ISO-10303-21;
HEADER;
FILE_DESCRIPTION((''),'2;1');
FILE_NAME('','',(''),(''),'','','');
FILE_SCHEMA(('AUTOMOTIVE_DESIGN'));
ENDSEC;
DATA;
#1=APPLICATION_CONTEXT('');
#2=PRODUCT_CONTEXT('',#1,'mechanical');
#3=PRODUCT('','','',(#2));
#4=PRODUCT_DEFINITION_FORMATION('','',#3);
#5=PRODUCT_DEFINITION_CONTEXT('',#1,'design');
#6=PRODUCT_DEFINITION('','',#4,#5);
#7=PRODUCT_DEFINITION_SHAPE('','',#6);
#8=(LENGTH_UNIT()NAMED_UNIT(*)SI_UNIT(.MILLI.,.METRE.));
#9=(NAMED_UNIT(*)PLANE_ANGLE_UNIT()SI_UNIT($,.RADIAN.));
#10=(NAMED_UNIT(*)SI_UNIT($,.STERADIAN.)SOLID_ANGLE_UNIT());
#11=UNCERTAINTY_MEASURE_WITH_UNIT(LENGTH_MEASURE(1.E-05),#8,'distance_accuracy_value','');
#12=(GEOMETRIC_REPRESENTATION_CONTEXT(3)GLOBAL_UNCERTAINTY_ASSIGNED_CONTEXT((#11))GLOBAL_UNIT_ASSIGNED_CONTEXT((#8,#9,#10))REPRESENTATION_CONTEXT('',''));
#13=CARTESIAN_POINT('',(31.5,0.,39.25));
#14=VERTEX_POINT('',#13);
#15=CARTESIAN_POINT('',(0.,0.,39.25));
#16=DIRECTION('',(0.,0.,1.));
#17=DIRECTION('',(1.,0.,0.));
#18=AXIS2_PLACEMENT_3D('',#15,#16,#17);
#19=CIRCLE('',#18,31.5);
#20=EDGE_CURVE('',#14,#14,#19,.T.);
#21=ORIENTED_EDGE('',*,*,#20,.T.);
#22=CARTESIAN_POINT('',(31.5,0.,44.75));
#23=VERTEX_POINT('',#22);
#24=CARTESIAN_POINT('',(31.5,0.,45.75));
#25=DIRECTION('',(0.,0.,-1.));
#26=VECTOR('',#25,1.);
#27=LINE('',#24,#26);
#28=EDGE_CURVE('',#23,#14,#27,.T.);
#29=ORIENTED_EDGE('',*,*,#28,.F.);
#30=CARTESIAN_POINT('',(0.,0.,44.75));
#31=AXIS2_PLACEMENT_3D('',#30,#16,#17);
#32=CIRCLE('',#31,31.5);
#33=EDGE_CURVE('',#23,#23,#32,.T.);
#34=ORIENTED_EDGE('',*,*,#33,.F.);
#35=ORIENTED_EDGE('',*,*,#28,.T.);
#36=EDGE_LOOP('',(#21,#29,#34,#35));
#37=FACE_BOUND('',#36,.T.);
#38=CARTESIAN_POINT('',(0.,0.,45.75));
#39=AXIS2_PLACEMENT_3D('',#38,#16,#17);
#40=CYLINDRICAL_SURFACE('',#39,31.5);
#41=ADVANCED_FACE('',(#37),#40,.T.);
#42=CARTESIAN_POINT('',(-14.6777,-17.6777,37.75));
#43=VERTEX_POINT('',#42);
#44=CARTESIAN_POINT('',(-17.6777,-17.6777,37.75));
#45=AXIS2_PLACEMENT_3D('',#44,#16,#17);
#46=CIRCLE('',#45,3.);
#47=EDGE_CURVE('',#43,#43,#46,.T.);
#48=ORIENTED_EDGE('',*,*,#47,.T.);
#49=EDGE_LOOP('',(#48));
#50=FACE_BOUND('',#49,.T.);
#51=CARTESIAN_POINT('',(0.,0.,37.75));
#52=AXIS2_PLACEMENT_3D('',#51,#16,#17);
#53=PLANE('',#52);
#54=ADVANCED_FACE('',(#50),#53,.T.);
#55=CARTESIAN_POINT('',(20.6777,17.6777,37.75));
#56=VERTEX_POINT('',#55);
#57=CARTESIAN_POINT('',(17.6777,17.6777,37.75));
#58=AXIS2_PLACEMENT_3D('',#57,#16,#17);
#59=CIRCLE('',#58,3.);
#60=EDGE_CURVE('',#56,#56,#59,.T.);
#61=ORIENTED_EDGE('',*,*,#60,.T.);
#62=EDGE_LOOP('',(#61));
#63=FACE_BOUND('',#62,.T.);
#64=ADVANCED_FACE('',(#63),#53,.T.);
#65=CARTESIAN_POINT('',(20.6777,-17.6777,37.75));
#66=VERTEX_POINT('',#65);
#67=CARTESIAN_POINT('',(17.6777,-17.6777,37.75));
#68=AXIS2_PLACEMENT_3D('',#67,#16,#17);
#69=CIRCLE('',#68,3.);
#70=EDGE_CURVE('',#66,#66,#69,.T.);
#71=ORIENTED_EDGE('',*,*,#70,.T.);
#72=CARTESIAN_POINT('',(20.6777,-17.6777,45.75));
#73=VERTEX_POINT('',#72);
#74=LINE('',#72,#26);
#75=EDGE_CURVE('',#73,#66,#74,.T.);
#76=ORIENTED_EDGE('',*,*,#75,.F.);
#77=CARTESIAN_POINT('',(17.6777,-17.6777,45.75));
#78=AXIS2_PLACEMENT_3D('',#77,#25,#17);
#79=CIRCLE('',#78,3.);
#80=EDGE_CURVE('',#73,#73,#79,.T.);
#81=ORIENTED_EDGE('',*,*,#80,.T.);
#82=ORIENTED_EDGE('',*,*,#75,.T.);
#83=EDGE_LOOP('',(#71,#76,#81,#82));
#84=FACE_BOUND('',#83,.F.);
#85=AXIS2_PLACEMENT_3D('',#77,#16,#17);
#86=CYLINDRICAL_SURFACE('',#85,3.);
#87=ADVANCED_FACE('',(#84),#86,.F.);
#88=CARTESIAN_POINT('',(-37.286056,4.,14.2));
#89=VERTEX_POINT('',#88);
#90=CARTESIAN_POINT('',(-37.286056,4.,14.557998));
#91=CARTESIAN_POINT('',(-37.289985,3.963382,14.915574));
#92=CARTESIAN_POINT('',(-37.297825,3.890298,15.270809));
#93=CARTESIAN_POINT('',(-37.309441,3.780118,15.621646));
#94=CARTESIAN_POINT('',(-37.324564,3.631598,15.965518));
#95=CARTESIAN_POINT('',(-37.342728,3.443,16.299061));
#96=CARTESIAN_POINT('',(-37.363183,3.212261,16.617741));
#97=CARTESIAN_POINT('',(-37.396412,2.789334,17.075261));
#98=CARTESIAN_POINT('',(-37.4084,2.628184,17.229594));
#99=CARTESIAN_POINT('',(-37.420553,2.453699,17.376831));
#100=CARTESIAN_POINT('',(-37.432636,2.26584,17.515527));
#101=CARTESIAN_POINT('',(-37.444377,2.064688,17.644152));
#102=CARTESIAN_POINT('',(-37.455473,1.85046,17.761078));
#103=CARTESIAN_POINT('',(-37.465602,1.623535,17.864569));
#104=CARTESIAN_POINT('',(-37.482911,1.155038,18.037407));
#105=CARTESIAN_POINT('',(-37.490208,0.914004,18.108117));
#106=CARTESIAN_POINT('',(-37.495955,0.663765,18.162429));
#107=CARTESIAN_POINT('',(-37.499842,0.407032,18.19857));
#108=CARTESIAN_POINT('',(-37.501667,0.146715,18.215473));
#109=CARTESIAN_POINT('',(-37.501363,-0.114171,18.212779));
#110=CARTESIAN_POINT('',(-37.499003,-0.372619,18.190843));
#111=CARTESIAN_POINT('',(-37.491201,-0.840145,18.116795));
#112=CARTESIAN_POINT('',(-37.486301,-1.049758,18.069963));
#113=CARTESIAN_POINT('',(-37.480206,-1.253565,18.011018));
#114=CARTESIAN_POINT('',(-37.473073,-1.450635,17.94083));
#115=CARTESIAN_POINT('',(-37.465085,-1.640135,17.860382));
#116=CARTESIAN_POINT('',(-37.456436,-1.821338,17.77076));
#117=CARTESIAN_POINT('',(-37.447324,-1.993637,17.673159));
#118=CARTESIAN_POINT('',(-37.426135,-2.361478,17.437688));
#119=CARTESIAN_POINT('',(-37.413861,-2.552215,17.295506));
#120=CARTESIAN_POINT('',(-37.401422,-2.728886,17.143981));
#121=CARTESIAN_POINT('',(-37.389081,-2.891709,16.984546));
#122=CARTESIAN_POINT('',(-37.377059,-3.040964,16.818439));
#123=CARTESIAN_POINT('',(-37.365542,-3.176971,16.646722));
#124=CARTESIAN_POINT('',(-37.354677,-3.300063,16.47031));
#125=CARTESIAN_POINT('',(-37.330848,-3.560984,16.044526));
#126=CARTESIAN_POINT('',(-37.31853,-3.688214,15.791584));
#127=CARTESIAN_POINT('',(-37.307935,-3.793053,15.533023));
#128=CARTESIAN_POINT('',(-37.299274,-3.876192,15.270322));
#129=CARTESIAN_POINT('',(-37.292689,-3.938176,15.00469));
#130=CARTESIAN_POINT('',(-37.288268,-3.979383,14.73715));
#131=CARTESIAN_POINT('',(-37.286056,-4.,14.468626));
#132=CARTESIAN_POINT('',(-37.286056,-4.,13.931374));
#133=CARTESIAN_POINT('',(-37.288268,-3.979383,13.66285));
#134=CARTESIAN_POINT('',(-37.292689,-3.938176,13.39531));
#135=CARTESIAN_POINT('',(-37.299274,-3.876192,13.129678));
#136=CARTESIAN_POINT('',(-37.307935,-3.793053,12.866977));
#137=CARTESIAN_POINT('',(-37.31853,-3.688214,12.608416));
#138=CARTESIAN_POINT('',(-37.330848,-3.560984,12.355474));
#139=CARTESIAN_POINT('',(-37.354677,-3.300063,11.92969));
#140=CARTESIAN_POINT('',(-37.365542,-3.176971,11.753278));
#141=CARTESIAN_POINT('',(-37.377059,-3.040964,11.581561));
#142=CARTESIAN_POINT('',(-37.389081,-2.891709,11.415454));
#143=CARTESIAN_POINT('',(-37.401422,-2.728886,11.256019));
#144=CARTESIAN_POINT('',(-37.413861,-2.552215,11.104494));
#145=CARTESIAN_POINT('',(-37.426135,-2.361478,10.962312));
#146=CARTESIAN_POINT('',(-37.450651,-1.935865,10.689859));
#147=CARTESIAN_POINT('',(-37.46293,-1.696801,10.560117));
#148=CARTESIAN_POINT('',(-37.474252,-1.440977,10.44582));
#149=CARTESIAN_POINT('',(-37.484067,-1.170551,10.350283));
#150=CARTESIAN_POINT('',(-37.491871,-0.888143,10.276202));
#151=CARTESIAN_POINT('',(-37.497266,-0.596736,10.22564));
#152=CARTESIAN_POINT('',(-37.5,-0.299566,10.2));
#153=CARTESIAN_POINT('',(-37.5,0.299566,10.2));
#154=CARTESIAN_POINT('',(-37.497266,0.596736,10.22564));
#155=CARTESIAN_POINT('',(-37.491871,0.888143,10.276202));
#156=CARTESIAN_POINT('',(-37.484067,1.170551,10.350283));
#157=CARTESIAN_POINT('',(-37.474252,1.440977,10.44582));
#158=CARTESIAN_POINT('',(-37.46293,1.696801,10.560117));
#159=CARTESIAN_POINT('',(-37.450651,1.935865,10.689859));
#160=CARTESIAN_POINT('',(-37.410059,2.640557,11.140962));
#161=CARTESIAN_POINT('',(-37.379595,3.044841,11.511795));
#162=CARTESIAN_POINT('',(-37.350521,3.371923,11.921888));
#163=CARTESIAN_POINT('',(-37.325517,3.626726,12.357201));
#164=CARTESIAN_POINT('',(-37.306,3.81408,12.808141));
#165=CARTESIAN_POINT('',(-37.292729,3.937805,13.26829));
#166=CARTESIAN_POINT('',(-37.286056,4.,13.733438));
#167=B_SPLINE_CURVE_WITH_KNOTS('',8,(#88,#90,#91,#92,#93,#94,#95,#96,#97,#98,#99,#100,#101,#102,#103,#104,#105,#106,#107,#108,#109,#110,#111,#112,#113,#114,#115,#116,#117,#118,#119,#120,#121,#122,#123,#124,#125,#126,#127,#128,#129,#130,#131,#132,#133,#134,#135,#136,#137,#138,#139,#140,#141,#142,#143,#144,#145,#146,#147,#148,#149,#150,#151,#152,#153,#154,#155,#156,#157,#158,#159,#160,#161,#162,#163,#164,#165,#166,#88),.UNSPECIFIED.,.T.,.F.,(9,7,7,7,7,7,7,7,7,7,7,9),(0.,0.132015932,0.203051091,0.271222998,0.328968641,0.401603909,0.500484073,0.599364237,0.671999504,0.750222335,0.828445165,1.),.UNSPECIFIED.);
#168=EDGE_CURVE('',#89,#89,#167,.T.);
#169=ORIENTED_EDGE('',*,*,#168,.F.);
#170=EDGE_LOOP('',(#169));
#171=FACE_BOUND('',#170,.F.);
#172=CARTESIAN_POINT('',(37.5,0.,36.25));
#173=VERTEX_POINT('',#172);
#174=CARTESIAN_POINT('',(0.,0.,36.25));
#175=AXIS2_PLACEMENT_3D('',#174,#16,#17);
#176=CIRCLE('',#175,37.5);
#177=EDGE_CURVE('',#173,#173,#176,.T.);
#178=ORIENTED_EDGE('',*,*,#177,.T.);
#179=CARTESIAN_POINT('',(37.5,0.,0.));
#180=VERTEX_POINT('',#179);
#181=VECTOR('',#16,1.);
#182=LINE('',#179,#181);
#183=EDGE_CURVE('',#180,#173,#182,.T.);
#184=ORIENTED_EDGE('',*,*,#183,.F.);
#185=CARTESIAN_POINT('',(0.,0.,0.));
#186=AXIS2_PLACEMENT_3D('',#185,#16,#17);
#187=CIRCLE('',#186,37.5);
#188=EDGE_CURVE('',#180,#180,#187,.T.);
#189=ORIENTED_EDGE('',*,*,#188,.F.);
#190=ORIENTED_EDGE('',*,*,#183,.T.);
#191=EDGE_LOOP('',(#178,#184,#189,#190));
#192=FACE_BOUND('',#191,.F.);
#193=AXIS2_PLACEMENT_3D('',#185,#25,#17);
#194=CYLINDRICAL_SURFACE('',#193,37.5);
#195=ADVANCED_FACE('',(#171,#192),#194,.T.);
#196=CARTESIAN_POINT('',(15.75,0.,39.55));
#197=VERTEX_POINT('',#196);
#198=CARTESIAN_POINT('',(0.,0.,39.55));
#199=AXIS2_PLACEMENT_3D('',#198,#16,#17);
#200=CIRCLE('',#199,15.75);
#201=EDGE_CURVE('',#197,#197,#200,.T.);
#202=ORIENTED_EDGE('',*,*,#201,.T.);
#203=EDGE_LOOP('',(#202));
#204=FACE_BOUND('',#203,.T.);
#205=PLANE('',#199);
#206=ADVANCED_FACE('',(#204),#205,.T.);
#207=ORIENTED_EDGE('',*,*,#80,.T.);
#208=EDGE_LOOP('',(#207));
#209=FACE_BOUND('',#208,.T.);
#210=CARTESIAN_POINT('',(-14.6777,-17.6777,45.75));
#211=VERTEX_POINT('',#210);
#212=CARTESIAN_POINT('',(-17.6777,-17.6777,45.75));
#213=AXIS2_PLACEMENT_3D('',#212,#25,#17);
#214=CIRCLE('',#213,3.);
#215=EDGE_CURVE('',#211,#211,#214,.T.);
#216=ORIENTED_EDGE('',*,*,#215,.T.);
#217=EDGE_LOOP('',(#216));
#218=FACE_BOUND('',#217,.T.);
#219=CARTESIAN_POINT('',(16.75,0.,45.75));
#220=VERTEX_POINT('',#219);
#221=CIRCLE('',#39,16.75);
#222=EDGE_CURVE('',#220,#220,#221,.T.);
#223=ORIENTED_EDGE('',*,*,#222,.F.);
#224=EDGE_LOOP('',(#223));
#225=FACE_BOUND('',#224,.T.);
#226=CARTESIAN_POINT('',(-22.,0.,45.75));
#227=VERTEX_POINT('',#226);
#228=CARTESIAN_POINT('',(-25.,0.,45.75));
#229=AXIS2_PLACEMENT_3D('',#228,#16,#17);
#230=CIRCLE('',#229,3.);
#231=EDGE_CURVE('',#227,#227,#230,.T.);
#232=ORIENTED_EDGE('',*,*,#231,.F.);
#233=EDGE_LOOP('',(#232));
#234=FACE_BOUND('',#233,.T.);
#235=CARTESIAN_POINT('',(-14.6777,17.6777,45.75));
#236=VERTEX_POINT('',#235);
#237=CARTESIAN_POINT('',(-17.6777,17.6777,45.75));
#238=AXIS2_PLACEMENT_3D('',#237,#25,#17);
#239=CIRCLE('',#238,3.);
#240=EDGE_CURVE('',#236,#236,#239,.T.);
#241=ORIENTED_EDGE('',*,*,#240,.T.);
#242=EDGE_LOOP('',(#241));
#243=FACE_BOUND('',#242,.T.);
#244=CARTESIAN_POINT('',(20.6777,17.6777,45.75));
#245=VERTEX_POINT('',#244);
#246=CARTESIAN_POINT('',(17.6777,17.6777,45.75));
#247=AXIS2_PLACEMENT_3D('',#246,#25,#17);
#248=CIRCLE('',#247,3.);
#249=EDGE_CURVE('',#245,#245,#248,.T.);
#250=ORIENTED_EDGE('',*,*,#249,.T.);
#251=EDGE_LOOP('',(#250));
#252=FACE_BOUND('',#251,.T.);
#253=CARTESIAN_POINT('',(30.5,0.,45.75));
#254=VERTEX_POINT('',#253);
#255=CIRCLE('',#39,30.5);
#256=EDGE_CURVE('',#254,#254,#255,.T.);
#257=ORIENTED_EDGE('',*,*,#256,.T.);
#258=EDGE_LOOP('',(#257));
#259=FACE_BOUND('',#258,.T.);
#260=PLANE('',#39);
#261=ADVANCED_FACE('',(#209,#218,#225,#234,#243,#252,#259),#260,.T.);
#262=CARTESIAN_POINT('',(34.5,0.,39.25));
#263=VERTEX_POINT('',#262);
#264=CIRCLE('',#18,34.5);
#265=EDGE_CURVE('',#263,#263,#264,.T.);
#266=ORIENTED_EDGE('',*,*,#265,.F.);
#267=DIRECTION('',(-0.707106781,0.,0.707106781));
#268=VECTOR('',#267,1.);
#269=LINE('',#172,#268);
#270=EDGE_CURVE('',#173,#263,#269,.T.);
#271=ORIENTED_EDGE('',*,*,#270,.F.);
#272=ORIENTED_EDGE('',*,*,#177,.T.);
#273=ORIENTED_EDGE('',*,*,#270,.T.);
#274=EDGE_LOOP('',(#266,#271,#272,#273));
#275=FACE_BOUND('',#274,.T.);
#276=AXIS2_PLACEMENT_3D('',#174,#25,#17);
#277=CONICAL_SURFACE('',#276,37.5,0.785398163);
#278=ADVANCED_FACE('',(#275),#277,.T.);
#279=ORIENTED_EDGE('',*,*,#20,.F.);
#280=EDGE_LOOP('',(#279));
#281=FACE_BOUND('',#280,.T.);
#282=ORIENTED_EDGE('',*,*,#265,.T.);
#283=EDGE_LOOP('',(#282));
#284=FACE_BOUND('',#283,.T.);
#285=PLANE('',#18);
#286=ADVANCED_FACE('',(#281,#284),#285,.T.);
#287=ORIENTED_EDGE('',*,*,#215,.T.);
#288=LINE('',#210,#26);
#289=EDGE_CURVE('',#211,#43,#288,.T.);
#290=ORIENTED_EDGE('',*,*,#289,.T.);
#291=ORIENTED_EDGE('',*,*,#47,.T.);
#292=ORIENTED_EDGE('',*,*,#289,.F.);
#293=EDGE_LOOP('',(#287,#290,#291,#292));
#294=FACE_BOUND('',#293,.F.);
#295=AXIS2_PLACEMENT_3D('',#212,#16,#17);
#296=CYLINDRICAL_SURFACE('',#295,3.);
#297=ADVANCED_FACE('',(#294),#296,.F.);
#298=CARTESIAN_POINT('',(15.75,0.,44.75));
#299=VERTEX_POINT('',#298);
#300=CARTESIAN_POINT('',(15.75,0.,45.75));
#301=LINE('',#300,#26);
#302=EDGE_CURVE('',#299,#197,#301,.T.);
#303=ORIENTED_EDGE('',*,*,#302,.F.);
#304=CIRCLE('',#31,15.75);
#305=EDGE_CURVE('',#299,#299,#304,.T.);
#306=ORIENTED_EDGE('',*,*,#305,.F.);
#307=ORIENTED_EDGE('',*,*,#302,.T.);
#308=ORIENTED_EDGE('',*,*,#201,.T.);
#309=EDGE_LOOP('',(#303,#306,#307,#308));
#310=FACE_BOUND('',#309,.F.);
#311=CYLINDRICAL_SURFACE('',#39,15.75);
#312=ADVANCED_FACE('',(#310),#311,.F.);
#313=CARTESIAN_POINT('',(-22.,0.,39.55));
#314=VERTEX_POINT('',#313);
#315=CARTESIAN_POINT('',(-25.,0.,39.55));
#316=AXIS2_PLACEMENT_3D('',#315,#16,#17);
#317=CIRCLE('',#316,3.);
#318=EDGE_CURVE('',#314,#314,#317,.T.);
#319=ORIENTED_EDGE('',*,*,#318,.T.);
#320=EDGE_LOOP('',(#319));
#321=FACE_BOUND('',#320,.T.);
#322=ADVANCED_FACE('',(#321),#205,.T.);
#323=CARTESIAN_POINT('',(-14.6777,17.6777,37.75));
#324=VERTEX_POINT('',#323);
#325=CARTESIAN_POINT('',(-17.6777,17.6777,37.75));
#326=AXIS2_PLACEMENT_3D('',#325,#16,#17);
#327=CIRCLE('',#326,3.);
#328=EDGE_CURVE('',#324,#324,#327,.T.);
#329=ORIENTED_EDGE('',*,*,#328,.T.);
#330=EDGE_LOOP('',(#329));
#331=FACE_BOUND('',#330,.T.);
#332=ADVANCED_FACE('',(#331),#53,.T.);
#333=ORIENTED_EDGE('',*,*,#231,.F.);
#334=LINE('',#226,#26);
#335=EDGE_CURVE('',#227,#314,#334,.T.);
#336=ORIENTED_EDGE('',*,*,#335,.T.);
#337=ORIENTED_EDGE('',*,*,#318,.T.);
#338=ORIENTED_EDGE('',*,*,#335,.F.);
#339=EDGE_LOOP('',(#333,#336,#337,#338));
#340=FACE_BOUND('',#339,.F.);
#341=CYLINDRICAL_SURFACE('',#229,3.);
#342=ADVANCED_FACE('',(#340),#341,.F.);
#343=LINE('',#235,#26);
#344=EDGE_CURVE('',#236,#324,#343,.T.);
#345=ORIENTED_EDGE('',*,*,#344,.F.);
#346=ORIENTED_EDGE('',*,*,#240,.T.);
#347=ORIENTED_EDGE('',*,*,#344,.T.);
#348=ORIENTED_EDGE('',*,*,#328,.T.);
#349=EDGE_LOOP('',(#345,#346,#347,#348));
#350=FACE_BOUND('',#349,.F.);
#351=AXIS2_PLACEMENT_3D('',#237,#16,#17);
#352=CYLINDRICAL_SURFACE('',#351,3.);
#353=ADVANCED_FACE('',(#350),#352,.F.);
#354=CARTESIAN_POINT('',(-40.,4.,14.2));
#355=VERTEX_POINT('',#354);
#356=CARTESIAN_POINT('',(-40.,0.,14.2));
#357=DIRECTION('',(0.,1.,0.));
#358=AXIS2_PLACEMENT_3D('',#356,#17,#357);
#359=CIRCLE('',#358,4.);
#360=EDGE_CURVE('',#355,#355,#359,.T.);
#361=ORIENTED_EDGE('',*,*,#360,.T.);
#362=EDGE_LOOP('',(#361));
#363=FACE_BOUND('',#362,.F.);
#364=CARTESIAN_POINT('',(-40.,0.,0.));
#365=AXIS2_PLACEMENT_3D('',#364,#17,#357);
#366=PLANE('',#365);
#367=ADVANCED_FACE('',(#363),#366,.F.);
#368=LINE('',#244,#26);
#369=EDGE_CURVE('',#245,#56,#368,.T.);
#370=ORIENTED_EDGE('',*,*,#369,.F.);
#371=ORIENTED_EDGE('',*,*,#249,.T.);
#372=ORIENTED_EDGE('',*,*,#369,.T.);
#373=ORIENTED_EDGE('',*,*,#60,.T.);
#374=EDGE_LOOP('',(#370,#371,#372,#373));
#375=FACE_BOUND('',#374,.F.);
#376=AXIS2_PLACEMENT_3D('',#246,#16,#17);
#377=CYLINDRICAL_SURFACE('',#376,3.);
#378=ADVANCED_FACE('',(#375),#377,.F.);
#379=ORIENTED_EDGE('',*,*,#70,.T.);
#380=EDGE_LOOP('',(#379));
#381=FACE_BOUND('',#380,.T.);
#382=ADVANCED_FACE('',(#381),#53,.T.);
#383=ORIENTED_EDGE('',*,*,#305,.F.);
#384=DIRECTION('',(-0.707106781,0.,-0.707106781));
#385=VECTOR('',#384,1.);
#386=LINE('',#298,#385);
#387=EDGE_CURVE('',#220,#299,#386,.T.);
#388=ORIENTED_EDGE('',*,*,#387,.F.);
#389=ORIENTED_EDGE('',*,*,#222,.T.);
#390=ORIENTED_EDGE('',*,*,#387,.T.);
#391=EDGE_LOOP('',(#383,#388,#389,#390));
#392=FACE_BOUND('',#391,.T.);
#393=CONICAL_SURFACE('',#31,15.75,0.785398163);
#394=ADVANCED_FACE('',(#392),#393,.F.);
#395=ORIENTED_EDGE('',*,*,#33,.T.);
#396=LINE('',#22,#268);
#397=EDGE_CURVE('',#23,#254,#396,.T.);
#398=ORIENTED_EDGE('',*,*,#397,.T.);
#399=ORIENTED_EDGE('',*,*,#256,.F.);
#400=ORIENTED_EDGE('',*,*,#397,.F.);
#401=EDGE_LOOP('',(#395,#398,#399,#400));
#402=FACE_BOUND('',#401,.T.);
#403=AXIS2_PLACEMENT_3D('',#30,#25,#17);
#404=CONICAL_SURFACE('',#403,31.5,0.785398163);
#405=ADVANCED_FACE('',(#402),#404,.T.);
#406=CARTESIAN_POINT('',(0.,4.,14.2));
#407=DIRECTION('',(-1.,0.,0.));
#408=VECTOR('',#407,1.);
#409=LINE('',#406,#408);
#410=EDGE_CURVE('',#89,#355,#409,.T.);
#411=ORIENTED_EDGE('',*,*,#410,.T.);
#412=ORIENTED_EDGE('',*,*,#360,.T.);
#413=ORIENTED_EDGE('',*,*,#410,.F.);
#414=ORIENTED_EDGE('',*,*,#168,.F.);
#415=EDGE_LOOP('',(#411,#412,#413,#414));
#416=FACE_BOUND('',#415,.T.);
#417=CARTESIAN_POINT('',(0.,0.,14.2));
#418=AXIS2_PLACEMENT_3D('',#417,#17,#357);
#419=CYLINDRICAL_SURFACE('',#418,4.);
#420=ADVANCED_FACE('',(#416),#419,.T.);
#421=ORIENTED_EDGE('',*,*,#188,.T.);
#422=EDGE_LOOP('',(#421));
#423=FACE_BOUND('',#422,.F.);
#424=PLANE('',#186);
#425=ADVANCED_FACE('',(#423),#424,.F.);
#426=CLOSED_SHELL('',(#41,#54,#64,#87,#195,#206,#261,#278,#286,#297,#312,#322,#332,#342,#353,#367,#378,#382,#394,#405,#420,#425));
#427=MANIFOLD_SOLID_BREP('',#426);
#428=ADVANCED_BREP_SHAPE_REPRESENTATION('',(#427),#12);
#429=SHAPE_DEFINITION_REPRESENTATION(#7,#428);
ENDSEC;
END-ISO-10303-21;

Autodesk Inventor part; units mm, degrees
ref_plane "YZ Plane" through (0, 0, 0) normal (1, 0, 0) x (0, 1, 0)
ref_plane "XZ Plane" through (0, 0, 0) normal (0, 1, 0) x (-1, 0, 0)
ref_plane "XY Plane" through (0, 0, 0) normal (0, 0, 1) x (1, 0, 0)
sketch "スケッチ1" plane through (0, 0, 0) normal (0, 0, 1) x (1, 0, 0)
  circle A0 centre (0, 0) radius 37.5
  dimension "d0" = 75
extrude "押し出し1" add sketch "スケッチ1" along normal blind 45.75
sketch "スケッチ2" plane through (0, 0, 45.75) normal (0, 0, 1) x (1, 0, 0)
  circle A0 centre (0, 0) radius 37.5
  circle A1 centre (0, 0) radius 31.5
  dimension "d3" = 63
extrude "押し出し2" cut sketch "スケッチ2" against normal blind 6.5
chamfer "面取り1" distance 3 angle 45 1 edges at (-37.5, 0, 39.25)
chamfer "面取り2" distance 1 angle 45 1 edges at (-31.5, 0, 45.75)
sketch "スケッチ3" plane through (0, 0, 45.75) normal (0, 0, 1) x (1, 0, 0)
  circle A0 centre (0, 0) radius 15.75
  dimension "d12" = 31.5
extrude "押し出し3" cut sketch "スケッチ3" against normal blind 6.2
chamfer "面取り3" distance 1 angle 45 1 edges at (-15.75, 0, 45.75)
sketch "スケッチ4" plane through (0, 0, 45.75) normal (0, 0, 1) x (1, 0, 0)
  circle A0 centre (-25, 0) radius 3
  point P0 (0, 0)
  dimension "d18" = 6
extrude "押し出し4" cut sketch "スケッチ4" against normal blind 6.2
sketch "スケッチ5" plane through (0, 0, 45.75) normal (0, 0, 1) x (1, 0, 0)
  point P0 (0, 0)
sketch "スケッチ6" plane through (0, 0, 45.75) normal (0, 0, 1) x (1, 0, 0)
  circle A0 centre (0, 0) radius 25
  circle A1 centre (0, 0) radius 37.5 projected
  line L0 (0, 0) -> (-17.6777, 17.6777)
  line L1 (0, 0) -> (25, 0) construction
  circle A2 centre (-17.6777, 17.6777) radius 3
  circle A3 centre (17.6777, 17.6777) radius 3
  circle A4 centre (17.6777, -17.6777) radius 3
  circle A5 centre (-17.6777, -17.6777) radius 3
  dimension "d21" = 50
  dimension "d22" = 135
  dimension "d23" = 6
  dimension "d24" = 6
  dimension "d25" = 6
  dimension "d26" = 6
extrude "押し出し5" cut sketch "スケッチ6" against normal blind 8 contours A3 A0 | A0 A3 | A4 A0 | A0 A4 | A2 L0 A0 | A0 A2 | A5 A0 | A0 A5 | L0 A2 A0
thread "ねじ1" size "M6x1" class "6H" standard "ANSI Metric M Profile" full length
thread "ねじ2" size "M6x1" class "6H" standard "ANSI Metric M Profile" full length
thread "ねじ3" size "M6x1" class "6H" standard "ANSI Metric M Profile" full length
thread "ねじ4" size "M6x1" class "6H" standard "ANSI Metric M Profile" full length
sketch "スケッチ7" plane through (0, 0, 0) normal (1, 0, 0) x (0, 1, 0)
  circle A0 centre (0, 14.2) radius 4
  point P0 (0, 0)
  dimension "d37" = 8
extrude "押し出し6" add sketch "スケッチ7" against normal blind 40
properties part number "tool-output-flange"
